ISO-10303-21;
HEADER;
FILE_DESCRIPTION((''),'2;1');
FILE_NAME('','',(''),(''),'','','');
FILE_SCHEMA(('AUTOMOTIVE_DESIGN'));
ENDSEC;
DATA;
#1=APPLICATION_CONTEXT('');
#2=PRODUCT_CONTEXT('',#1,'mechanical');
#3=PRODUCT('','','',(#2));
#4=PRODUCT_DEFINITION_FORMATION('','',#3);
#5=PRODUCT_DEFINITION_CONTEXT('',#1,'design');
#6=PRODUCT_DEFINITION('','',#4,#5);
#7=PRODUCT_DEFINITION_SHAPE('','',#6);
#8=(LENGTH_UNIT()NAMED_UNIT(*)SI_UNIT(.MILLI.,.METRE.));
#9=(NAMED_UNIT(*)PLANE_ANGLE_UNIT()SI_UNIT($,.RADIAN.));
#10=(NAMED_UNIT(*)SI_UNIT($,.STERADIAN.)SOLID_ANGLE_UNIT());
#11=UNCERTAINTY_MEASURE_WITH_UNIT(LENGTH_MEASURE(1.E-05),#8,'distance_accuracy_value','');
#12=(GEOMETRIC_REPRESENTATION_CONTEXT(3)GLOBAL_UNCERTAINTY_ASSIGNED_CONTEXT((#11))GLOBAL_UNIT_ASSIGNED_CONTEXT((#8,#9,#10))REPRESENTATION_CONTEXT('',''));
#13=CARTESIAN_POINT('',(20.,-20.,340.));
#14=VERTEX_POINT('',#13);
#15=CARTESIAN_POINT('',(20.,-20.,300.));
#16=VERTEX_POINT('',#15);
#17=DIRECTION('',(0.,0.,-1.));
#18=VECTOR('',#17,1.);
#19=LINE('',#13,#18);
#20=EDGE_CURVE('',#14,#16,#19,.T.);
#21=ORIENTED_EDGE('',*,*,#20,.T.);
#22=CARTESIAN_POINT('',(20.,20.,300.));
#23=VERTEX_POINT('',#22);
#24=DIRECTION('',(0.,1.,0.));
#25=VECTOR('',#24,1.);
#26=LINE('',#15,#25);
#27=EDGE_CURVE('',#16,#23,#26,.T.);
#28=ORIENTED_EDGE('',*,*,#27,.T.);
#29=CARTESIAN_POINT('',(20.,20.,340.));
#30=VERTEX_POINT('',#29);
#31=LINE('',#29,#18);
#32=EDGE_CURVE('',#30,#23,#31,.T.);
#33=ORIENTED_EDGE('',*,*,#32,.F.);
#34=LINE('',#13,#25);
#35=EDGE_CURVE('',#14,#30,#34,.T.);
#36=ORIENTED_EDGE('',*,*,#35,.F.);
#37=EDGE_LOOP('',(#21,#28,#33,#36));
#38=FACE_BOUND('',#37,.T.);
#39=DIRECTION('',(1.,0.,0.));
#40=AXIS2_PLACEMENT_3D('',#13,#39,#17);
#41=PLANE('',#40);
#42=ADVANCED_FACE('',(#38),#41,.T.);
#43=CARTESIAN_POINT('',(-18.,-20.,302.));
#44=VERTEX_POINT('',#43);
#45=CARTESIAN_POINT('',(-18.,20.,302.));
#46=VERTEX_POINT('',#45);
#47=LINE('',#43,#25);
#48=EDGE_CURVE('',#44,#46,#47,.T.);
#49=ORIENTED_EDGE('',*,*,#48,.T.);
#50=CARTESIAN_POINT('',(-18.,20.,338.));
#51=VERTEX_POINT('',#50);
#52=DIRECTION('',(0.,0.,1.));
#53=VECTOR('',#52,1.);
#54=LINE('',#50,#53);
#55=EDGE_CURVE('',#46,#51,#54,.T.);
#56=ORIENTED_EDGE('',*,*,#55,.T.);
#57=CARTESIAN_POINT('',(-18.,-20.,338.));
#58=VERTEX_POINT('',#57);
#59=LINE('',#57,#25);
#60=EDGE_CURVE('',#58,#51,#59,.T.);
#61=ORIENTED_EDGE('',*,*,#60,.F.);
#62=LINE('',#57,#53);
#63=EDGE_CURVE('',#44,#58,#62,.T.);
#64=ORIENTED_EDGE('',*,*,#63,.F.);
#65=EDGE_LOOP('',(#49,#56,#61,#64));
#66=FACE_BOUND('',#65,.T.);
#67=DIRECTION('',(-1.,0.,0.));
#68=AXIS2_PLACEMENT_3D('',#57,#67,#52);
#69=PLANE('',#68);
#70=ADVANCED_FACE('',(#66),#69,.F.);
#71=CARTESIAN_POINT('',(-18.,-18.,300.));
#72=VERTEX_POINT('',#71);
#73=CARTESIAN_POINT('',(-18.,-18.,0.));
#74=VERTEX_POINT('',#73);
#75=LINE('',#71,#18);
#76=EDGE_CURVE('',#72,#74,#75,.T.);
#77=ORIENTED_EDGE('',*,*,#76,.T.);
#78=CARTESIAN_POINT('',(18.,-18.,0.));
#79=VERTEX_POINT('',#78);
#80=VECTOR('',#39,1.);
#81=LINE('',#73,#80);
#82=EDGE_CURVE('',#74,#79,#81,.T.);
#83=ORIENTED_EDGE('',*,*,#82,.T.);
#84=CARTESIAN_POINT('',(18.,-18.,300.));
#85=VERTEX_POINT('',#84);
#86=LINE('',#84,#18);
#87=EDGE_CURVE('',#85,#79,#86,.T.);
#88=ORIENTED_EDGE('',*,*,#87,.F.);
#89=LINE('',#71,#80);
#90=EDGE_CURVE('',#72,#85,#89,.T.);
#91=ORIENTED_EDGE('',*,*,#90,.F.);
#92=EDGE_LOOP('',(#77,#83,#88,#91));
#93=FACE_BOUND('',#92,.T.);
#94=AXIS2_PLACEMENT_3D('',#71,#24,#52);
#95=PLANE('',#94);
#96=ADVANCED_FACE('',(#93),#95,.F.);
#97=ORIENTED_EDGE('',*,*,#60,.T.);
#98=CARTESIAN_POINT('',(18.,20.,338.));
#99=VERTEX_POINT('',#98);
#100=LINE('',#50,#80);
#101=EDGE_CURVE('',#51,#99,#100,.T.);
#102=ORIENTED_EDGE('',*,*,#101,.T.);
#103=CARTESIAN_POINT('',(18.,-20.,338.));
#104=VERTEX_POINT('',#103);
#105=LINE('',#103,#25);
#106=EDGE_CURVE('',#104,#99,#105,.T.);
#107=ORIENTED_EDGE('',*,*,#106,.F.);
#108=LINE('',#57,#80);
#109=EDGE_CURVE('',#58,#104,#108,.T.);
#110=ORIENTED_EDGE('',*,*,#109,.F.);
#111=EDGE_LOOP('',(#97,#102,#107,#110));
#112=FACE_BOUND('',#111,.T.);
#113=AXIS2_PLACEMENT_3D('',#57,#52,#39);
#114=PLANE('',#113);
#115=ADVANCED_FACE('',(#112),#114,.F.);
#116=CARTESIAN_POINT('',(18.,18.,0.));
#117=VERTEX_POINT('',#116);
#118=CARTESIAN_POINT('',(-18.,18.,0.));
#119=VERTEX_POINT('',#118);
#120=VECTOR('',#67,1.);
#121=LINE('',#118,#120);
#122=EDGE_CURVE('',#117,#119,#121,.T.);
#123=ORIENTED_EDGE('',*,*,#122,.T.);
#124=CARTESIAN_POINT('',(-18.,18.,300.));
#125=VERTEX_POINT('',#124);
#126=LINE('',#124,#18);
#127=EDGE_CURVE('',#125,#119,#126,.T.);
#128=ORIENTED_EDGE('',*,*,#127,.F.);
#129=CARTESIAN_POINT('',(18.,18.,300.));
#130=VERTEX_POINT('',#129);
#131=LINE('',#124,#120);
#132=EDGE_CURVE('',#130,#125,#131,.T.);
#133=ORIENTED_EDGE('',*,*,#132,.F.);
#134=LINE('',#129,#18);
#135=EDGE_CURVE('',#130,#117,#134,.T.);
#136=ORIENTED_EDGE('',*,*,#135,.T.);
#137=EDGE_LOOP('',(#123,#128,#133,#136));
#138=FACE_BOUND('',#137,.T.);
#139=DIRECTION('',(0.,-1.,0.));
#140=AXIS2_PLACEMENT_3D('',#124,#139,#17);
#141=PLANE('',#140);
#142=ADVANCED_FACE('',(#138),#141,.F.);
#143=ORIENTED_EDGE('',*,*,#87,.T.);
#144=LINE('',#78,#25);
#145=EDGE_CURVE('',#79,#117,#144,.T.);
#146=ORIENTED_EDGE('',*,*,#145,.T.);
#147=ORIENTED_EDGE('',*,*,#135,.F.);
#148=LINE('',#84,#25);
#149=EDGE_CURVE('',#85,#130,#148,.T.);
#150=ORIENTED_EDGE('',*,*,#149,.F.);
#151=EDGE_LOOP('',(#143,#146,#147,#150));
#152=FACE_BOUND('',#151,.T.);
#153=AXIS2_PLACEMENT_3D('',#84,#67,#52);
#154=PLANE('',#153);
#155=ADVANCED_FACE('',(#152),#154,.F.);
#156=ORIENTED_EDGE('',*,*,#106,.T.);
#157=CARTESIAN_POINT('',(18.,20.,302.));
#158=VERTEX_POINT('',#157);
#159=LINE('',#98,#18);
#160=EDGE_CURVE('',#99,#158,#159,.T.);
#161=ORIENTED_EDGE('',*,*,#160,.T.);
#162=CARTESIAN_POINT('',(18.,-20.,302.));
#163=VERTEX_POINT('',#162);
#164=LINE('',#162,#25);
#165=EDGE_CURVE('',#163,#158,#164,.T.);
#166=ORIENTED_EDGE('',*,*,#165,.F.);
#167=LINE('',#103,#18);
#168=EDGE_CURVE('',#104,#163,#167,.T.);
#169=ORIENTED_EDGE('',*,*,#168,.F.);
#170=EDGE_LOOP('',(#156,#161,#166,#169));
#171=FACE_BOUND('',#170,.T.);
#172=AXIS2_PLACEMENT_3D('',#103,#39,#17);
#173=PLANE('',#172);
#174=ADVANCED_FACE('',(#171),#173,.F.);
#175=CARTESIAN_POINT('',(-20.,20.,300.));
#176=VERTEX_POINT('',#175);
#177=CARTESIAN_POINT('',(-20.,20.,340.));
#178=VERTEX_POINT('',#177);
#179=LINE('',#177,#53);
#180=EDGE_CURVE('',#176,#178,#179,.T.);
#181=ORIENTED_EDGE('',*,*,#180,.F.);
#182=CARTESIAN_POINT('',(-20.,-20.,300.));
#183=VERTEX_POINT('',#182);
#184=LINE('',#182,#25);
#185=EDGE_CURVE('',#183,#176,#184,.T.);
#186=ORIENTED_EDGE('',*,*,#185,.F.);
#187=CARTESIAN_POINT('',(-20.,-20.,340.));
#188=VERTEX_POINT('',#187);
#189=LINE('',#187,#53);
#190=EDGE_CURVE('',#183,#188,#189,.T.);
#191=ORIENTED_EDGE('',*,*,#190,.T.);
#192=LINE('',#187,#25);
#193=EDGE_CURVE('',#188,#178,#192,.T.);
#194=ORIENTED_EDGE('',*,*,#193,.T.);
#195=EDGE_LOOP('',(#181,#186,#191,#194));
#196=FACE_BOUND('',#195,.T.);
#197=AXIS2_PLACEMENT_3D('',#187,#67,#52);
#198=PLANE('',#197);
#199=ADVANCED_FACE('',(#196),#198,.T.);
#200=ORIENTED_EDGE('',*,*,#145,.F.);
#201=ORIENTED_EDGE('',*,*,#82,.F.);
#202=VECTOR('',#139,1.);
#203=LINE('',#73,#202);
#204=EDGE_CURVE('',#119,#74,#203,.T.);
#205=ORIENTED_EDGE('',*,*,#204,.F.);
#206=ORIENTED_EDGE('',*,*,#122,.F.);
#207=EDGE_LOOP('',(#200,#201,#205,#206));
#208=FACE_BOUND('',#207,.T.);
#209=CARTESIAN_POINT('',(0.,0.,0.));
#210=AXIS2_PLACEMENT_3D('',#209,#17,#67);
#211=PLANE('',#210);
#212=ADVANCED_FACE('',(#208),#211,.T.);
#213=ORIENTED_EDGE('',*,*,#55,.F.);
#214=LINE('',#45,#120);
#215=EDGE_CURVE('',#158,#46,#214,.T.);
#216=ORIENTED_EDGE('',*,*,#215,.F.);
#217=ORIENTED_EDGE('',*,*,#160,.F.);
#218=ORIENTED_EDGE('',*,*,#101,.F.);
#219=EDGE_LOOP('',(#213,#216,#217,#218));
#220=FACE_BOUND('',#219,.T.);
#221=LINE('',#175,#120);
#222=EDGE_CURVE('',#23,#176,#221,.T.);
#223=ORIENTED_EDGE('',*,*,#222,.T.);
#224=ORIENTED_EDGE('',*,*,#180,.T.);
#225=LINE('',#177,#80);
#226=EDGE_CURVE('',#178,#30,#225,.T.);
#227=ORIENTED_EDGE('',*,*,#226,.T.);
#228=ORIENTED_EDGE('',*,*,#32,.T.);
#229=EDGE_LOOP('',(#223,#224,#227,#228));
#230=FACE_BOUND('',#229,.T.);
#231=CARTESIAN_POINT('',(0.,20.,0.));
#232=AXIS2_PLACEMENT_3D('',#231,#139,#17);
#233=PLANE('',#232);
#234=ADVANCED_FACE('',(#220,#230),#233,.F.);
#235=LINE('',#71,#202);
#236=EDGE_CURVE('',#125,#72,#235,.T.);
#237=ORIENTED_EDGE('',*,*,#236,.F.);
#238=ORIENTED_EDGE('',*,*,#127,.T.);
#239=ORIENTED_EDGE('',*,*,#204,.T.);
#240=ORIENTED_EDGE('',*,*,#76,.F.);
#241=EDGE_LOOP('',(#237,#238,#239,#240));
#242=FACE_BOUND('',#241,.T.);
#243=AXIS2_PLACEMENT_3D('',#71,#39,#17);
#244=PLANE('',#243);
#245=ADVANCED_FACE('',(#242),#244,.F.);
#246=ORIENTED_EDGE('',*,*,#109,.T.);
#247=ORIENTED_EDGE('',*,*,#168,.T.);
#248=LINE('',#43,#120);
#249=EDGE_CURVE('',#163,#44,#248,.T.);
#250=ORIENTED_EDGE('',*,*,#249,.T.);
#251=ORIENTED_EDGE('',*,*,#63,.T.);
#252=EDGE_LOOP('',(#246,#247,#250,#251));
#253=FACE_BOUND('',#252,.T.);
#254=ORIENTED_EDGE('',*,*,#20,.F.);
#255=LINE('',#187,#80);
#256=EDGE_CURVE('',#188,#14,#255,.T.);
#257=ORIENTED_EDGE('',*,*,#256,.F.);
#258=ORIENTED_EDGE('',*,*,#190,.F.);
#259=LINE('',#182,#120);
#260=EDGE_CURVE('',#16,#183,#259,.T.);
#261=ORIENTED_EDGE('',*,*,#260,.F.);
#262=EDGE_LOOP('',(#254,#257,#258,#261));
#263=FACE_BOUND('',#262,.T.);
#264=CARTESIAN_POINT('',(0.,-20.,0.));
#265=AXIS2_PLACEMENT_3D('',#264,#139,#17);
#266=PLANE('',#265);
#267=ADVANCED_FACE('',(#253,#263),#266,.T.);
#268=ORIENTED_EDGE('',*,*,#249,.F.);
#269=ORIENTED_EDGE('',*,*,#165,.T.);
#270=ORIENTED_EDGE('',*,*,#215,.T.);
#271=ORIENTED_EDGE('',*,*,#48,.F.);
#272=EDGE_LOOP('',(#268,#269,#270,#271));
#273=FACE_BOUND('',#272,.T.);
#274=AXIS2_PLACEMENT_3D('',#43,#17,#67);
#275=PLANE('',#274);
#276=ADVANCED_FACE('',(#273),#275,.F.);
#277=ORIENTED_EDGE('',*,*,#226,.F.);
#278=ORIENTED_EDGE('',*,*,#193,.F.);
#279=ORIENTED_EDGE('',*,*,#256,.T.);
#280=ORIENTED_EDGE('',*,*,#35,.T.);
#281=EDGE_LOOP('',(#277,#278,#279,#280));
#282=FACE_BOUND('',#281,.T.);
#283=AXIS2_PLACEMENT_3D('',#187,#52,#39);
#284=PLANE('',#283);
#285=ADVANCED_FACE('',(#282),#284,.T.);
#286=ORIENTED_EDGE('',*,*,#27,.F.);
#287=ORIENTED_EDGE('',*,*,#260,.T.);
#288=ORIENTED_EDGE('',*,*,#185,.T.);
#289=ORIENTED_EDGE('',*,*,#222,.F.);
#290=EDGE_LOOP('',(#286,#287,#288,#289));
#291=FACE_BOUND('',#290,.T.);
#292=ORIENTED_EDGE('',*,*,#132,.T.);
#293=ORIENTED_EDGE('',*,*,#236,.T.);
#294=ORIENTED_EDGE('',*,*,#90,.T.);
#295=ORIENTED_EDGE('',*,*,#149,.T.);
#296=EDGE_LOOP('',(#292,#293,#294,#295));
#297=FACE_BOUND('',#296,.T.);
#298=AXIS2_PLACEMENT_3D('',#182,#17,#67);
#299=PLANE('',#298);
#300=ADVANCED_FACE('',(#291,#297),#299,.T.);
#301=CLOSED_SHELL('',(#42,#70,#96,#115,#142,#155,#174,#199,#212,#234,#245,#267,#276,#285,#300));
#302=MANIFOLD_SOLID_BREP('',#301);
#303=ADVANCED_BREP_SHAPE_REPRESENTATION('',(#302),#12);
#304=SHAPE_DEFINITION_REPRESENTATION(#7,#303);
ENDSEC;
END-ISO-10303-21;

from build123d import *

# Parameters (mm, degrees)
SKETCH1_W                = 36
SKETCH1_H                = 36
BOSS_EXTRUDE1_DEPTH      = 300
BOSS_EXTRUDE2_DEPTH      = 20
BOSS_EXTRUDE2_DEPTH_BACK = 20
SKETCH2_W                = 40
SKETCH2_H                = 40
SKETCH2_W_2              = 36
SKETCH2_H_2              = 36


with BuildPart() as part:
    # Sketch1 → Boss-Extrude1 (new body)
    with BuildSketch(Plane.XY):
        Rectangle(SKETCH1_W, SKETCH1_H)
    extrude(amount=BOSS_EXTRUDE1_DEPTH)

    # Sketch2 → Boss-Extrude2 (add, two sides: drawn at the far end of the back side and taken through both)
    with BuildSketch(Plane(origin=(0, 0, 0), x_dir=(1, 0, 0), z_dir=(0, 1, 0)).offset(-BOSS_EXTRUDE2_DEPTH_BACK)):
        with Locations((0, -320)):
            Rectangle(SKETCH2_W, SKETCH2_H)
        with Locations((0, -320)):
            Rectangle(SKETCH2_W_2, SKETCH2_H_2, mode=Mode.SUBTRACT)
    extrude(amount=BOSS_EXTRUDE2_DEPTH + BOSS_EXTRUDE2_DEPTH_BACK)


solid = part.part
